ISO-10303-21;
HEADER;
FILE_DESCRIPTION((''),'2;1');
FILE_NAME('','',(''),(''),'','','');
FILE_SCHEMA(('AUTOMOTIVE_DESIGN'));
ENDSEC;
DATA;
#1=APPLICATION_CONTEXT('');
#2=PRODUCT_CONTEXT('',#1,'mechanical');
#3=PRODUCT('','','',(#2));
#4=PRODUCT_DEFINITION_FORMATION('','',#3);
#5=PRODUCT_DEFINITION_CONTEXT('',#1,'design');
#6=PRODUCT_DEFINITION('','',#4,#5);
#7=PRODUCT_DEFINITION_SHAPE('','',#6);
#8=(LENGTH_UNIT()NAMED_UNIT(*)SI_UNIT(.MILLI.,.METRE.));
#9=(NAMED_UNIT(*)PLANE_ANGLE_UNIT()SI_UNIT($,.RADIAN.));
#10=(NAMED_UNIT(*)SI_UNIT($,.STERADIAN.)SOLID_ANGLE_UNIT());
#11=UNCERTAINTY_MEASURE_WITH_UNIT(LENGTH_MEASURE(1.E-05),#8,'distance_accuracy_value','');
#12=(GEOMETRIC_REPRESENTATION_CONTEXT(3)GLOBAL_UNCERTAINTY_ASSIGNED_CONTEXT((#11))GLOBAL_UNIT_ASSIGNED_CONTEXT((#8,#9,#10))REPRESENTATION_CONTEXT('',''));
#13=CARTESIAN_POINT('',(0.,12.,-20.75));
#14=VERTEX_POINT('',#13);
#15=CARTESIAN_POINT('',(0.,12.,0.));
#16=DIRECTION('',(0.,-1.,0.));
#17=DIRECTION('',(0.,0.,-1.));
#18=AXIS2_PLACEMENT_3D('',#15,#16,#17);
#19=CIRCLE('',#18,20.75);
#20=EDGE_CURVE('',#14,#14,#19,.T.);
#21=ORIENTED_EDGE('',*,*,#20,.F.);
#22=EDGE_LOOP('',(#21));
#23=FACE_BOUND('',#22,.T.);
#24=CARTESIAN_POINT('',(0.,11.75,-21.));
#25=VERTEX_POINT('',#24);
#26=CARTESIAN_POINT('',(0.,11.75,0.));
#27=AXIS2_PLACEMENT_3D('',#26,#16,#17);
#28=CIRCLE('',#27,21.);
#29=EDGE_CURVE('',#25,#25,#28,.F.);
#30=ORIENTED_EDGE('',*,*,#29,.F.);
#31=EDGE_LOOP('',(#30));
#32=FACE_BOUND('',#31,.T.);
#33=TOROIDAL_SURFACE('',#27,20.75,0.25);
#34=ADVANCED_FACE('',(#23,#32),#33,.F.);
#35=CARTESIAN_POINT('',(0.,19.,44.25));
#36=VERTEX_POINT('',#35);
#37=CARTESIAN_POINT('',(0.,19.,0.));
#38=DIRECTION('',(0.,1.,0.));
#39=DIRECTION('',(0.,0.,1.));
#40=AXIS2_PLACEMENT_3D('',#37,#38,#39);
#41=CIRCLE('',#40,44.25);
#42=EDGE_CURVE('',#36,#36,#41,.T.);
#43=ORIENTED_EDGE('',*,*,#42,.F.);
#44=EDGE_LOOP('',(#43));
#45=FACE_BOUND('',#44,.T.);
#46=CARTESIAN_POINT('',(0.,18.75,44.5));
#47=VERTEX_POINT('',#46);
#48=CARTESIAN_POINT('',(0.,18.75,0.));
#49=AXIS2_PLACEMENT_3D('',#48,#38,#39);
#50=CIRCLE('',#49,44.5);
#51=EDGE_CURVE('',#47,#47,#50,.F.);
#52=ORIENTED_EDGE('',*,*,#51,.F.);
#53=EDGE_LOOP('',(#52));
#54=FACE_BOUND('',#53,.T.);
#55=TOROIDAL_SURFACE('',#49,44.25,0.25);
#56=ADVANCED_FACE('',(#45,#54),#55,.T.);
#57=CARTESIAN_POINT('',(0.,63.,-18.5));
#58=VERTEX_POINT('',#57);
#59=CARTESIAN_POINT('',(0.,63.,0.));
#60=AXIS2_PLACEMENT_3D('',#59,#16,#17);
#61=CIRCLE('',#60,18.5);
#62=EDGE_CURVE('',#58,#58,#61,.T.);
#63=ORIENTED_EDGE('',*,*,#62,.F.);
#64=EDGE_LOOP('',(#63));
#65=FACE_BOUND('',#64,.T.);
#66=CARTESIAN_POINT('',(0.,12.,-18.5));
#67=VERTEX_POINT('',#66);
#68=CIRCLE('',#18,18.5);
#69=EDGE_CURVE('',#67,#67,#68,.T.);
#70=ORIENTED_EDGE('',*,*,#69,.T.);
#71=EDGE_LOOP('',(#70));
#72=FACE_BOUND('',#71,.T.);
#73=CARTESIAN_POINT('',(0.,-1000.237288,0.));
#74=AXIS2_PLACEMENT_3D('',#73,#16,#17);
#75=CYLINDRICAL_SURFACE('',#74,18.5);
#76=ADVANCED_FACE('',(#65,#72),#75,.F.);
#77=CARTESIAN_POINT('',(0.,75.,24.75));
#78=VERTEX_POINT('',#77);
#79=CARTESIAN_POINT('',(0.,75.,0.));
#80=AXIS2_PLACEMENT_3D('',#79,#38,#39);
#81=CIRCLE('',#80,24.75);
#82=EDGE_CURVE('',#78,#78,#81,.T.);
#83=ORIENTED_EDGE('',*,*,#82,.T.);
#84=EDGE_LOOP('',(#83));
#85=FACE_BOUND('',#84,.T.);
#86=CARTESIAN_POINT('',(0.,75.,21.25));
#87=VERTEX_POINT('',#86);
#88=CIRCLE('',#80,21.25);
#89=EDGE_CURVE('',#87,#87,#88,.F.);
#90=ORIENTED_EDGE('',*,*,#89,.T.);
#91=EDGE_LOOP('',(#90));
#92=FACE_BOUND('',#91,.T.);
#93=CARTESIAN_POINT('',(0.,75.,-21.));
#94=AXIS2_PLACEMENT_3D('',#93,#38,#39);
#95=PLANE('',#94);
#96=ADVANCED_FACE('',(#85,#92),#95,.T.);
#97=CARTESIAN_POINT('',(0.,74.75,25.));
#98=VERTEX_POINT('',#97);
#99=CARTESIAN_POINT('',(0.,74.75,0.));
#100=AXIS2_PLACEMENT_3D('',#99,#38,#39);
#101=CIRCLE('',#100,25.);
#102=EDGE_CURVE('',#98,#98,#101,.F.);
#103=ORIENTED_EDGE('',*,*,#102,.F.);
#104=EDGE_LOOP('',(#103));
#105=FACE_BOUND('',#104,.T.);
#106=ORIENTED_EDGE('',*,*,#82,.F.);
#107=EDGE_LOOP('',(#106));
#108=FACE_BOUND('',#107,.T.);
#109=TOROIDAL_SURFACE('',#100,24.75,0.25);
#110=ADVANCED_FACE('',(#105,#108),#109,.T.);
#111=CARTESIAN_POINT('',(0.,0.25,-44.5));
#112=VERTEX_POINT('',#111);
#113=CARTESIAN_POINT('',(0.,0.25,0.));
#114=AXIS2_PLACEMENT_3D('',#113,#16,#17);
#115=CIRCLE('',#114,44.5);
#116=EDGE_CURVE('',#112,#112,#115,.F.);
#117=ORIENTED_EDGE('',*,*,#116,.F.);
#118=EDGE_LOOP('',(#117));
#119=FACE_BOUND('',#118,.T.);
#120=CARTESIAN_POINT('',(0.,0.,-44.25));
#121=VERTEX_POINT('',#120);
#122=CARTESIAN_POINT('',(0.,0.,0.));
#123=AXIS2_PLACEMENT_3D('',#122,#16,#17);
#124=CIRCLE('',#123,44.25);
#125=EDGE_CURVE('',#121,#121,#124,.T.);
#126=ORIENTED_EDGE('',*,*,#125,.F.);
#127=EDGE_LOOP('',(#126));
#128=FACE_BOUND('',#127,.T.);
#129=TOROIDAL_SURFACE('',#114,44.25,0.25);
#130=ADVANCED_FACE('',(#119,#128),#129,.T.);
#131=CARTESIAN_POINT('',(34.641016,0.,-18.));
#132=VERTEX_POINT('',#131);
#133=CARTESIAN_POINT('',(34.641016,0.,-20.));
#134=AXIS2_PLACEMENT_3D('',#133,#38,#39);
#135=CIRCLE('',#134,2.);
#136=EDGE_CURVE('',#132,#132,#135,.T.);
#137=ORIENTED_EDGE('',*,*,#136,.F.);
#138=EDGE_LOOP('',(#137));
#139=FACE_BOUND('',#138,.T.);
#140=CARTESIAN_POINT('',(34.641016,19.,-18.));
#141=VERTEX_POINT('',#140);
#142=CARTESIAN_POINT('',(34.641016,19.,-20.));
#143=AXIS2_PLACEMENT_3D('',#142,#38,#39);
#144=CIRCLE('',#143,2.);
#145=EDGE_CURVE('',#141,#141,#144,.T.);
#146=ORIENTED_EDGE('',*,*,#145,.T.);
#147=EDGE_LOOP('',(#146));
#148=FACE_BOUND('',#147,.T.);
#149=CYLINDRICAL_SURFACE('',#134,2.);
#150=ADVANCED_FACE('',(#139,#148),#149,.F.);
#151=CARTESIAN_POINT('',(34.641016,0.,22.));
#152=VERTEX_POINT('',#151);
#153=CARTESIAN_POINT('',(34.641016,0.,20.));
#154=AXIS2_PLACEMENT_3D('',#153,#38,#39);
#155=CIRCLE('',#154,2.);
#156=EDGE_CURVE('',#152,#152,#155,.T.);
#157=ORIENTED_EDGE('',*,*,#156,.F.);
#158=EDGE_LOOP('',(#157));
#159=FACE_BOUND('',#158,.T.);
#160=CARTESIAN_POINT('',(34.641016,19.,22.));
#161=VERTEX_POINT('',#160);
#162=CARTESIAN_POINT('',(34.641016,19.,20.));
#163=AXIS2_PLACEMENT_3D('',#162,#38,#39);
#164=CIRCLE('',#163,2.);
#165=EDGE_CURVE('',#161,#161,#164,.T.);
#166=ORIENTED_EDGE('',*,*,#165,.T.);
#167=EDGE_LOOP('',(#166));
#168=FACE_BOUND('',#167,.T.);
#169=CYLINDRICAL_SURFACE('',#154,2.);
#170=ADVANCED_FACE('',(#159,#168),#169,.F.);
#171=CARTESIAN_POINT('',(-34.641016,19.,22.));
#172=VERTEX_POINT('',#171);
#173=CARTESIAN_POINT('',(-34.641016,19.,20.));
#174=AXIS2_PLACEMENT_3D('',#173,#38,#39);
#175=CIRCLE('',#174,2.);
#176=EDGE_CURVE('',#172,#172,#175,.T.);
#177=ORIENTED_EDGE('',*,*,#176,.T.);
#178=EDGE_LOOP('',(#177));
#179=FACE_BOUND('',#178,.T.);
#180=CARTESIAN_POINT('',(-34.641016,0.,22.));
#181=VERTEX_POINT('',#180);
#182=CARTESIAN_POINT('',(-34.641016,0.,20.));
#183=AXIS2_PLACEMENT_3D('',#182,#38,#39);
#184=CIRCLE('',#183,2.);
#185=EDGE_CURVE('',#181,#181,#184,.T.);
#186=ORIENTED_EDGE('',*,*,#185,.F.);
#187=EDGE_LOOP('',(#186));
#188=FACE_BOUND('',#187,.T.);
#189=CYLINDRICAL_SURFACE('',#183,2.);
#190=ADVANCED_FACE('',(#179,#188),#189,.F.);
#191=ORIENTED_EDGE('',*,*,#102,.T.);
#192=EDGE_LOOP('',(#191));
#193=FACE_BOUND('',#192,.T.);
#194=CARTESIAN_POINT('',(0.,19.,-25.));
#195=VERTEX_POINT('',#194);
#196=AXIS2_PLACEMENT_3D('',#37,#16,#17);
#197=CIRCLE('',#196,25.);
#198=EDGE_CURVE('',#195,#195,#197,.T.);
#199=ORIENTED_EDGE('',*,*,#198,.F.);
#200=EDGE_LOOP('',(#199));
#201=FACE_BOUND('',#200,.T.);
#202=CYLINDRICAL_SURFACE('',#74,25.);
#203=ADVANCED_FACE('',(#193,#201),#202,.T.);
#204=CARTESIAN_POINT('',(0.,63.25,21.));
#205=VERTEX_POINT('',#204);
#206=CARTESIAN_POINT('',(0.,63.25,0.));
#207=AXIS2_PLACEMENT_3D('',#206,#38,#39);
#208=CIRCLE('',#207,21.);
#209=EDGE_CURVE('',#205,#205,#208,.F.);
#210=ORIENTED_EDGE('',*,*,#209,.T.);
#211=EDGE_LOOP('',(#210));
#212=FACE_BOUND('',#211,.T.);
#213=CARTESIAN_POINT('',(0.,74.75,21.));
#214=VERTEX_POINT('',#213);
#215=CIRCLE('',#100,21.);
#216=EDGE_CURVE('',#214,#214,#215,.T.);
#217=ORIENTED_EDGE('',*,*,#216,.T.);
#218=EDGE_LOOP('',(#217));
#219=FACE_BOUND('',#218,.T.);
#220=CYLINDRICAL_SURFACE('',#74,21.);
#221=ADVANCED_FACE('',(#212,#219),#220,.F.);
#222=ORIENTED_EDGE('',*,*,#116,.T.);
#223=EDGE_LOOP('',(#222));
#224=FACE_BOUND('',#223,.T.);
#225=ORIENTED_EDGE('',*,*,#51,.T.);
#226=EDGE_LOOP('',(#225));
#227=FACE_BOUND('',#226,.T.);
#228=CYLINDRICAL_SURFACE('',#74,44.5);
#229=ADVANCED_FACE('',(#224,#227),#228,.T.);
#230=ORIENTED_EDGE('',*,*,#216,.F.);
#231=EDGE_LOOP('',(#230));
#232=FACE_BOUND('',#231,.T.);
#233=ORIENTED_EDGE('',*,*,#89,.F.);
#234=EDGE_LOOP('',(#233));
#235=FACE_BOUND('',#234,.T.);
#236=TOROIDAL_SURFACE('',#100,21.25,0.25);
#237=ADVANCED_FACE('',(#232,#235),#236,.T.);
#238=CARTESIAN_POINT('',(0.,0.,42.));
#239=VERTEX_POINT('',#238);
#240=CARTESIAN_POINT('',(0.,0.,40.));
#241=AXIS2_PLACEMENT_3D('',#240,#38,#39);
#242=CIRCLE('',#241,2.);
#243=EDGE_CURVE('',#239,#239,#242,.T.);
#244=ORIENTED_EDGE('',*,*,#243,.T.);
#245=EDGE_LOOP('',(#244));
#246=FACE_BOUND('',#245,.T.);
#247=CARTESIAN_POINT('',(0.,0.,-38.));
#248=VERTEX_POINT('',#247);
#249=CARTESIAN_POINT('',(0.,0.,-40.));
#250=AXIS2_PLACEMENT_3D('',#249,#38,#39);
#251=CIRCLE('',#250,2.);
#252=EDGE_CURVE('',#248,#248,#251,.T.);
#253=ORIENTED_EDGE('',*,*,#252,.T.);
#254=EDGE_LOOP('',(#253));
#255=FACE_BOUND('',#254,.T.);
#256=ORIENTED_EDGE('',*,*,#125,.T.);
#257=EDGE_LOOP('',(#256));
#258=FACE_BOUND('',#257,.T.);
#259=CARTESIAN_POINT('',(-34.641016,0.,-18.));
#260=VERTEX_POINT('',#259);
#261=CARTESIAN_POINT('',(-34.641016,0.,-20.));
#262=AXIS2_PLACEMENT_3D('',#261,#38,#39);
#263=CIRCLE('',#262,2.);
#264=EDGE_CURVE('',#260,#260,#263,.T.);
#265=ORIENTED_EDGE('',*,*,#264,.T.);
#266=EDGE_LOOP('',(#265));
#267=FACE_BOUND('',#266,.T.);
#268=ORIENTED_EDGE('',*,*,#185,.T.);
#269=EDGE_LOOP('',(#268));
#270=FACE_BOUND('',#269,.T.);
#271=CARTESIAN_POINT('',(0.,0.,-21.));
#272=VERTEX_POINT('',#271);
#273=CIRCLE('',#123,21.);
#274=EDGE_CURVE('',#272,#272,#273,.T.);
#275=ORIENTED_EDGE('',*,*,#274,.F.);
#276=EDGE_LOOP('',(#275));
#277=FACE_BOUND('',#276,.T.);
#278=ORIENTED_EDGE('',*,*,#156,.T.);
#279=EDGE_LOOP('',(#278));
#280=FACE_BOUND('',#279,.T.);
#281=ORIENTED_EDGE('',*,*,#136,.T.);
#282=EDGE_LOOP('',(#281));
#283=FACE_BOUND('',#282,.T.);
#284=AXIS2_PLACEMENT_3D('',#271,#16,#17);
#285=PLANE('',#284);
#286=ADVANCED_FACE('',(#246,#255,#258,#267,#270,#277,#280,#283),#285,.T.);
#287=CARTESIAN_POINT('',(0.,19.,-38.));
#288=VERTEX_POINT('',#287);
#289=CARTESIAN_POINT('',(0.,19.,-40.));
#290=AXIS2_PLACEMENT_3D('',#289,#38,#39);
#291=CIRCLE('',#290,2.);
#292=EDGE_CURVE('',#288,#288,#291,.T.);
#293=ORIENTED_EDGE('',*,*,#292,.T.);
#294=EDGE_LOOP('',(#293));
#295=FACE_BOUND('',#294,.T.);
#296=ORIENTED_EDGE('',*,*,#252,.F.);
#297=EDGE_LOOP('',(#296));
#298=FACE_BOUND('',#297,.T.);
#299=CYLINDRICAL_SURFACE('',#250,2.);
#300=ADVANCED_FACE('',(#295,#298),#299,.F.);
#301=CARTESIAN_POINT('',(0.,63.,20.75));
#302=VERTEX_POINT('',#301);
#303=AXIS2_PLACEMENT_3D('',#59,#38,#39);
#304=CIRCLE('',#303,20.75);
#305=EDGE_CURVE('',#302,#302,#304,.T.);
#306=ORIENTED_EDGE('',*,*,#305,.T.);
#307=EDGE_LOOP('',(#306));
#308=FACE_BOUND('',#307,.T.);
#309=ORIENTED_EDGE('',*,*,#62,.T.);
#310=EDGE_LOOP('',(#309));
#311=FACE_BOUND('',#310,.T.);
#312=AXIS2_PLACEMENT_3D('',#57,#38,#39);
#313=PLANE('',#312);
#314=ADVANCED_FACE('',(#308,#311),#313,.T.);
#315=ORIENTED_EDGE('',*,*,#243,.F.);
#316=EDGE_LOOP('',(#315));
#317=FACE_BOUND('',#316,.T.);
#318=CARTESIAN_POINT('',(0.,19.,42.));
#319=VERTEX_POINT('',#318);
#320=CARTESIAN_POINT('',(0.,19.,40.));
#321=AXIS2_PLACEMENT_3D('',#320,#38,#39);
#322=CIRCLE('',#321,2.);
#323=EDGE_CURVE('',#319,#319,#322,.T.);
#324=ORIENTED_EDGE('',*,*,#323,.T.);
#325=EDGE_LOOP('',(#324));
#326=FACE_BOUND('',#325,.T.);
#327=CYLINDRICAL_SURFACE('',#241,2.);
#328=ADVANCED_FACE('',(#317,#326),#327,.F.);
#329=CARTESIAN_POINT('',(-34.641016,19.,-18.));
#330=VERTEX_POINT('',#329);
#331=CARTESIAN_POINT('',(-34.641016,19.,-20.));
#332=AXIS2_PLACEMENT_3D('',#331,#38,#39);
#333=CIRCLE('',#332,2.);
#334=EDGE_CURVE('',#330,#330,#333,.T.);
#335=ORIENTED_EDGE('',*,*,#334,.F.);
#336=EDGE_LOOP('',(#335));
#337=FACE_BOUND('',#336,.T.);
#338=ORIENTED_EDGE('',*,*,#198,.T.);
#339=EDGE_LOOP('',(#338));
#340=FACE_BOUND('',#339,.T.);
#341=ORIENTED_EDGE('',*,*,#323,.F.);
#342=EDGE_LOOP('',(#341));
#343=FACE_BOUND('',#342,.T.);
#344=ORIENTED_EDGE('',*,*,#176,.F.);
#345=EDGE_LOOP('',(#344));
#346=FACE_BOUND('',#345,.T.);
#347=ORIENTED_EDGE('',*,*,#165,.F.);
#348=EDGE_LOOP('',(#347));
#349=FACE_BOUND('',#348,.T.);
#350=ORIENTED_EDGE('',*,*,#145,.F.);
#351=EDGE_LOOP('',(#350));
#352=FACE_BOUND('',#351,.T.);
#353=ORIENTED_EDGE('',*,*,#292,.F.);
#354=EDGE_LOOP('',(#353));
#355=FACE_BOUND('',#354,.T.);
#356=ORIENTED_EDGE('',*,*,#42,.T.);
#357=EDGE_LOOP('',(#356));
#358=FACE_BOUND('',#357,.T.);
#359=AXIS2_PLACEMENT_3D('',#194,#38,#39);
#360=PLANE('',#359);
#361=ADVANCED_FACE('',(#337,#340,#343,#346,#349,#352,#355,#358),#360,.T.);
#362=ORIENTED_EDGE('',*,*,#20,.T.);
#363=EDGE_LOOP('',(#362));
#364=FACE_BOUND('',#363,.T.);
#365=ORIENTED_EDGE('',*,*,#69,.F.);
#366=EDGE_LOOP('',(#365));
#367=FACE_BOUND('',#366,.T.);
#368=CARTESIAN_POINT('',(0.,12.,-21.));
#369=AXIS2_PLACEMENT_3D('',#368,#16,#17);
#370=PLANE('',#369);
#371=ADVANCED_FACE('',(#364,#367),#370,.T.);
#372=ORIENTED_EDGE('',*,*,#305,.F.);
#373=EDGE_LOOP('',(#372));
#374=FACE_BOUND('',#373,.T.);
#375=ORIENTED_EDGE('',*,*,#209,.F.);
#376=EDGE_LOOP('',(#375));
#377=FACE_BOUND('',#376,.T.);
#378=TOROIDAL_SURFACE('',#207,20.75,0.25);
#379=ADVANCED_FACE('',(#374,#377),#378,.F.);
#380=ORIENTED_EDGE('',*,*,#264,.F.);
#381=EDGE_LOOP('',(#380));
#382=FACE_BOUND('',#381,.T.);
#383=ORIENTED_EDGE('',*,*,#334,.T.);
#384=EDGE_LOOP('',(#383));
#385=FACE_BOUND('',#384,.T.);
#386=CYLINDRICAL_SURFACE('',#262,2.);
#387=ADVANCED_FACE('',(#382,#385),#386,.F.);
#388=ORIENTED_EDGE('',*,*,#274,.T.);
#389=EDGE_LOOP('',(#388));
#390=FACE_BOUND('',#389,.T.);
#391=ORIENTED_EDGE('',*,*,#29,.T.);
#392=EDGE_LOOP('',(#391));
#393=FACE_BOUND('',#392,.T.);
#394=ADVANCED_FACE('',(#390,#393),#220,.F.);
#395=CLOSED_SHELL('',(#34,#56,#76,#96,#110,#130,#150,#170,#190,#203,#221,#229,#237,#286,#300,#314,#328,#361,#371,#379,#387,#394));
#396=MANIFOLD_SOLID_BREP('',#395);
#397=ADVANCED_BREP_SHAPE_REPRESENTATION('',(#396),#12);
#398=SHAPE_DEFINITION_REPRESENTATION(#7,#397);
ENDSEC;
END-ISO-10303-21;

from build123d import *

# Parameters (mm, degrees)
SKETCH2_R          = 2
CUT_EXTRUDE1_DEPTH = 20
FILLET1_R          = 0.25


with BuildPart() as part:
    # Sketch1 → Revolve1 (revolve)
    with BuildSketch(Plane(origin=(0, 0, 0), x_dir=(0, 0, -1), z_dir=(1, 0, 0))):
        Polygon((21, 0), (21, 12), (18.5, 12), (18.5, 63), (21, 63), (21, 75), (25, 75), (25, 19), (44.5, 19), (44.5, 0), align=None)
    revolve(axis=Axis((0, -1000.237288136, 0), (0, 1, 0)))

    # Sketch2 → Cut-Extrude1 (cut, through all)
    with BuildSketch(Plane(origin=(0, 19, 0), x_dir=(1, 0, 0), z_dir=(0, 1, 0))):
        with Locations((0, 40)):
            Circle(SKETCH2_R)
        with Locations((34.641016151, 20)):
            Circle(SKETCH2_R)
        with Locations((34.641016151, -20)):
            Circle(SKETCH2_R)
        with Locations((0, -40)):
            Circle(SKETCH2_R)
        with Locations((-34.641016151, -20)):
            Circle(SKETCH2_R)
        with Locations((-34.641016151, 20)):
            Circle(SKETCH2_R)
    extrude(amount=-CUT_EXTRUDE1_DEPTH, mode=Mode.SUBTRACT)

    # Fillet1
    fillet1_edges = [part.edges().sort_by_distance(p)[0] for p in [
        (0, 12, 21),
        (0, 0, 44.5),
        (0, 19, 44.5),
        (0, 75, 25),
        (0, 75, 21),
        (0, 63, 21),
    ]]
    fillet(fillet1_edges, radius=FILLET1_R)


solid = part.part
